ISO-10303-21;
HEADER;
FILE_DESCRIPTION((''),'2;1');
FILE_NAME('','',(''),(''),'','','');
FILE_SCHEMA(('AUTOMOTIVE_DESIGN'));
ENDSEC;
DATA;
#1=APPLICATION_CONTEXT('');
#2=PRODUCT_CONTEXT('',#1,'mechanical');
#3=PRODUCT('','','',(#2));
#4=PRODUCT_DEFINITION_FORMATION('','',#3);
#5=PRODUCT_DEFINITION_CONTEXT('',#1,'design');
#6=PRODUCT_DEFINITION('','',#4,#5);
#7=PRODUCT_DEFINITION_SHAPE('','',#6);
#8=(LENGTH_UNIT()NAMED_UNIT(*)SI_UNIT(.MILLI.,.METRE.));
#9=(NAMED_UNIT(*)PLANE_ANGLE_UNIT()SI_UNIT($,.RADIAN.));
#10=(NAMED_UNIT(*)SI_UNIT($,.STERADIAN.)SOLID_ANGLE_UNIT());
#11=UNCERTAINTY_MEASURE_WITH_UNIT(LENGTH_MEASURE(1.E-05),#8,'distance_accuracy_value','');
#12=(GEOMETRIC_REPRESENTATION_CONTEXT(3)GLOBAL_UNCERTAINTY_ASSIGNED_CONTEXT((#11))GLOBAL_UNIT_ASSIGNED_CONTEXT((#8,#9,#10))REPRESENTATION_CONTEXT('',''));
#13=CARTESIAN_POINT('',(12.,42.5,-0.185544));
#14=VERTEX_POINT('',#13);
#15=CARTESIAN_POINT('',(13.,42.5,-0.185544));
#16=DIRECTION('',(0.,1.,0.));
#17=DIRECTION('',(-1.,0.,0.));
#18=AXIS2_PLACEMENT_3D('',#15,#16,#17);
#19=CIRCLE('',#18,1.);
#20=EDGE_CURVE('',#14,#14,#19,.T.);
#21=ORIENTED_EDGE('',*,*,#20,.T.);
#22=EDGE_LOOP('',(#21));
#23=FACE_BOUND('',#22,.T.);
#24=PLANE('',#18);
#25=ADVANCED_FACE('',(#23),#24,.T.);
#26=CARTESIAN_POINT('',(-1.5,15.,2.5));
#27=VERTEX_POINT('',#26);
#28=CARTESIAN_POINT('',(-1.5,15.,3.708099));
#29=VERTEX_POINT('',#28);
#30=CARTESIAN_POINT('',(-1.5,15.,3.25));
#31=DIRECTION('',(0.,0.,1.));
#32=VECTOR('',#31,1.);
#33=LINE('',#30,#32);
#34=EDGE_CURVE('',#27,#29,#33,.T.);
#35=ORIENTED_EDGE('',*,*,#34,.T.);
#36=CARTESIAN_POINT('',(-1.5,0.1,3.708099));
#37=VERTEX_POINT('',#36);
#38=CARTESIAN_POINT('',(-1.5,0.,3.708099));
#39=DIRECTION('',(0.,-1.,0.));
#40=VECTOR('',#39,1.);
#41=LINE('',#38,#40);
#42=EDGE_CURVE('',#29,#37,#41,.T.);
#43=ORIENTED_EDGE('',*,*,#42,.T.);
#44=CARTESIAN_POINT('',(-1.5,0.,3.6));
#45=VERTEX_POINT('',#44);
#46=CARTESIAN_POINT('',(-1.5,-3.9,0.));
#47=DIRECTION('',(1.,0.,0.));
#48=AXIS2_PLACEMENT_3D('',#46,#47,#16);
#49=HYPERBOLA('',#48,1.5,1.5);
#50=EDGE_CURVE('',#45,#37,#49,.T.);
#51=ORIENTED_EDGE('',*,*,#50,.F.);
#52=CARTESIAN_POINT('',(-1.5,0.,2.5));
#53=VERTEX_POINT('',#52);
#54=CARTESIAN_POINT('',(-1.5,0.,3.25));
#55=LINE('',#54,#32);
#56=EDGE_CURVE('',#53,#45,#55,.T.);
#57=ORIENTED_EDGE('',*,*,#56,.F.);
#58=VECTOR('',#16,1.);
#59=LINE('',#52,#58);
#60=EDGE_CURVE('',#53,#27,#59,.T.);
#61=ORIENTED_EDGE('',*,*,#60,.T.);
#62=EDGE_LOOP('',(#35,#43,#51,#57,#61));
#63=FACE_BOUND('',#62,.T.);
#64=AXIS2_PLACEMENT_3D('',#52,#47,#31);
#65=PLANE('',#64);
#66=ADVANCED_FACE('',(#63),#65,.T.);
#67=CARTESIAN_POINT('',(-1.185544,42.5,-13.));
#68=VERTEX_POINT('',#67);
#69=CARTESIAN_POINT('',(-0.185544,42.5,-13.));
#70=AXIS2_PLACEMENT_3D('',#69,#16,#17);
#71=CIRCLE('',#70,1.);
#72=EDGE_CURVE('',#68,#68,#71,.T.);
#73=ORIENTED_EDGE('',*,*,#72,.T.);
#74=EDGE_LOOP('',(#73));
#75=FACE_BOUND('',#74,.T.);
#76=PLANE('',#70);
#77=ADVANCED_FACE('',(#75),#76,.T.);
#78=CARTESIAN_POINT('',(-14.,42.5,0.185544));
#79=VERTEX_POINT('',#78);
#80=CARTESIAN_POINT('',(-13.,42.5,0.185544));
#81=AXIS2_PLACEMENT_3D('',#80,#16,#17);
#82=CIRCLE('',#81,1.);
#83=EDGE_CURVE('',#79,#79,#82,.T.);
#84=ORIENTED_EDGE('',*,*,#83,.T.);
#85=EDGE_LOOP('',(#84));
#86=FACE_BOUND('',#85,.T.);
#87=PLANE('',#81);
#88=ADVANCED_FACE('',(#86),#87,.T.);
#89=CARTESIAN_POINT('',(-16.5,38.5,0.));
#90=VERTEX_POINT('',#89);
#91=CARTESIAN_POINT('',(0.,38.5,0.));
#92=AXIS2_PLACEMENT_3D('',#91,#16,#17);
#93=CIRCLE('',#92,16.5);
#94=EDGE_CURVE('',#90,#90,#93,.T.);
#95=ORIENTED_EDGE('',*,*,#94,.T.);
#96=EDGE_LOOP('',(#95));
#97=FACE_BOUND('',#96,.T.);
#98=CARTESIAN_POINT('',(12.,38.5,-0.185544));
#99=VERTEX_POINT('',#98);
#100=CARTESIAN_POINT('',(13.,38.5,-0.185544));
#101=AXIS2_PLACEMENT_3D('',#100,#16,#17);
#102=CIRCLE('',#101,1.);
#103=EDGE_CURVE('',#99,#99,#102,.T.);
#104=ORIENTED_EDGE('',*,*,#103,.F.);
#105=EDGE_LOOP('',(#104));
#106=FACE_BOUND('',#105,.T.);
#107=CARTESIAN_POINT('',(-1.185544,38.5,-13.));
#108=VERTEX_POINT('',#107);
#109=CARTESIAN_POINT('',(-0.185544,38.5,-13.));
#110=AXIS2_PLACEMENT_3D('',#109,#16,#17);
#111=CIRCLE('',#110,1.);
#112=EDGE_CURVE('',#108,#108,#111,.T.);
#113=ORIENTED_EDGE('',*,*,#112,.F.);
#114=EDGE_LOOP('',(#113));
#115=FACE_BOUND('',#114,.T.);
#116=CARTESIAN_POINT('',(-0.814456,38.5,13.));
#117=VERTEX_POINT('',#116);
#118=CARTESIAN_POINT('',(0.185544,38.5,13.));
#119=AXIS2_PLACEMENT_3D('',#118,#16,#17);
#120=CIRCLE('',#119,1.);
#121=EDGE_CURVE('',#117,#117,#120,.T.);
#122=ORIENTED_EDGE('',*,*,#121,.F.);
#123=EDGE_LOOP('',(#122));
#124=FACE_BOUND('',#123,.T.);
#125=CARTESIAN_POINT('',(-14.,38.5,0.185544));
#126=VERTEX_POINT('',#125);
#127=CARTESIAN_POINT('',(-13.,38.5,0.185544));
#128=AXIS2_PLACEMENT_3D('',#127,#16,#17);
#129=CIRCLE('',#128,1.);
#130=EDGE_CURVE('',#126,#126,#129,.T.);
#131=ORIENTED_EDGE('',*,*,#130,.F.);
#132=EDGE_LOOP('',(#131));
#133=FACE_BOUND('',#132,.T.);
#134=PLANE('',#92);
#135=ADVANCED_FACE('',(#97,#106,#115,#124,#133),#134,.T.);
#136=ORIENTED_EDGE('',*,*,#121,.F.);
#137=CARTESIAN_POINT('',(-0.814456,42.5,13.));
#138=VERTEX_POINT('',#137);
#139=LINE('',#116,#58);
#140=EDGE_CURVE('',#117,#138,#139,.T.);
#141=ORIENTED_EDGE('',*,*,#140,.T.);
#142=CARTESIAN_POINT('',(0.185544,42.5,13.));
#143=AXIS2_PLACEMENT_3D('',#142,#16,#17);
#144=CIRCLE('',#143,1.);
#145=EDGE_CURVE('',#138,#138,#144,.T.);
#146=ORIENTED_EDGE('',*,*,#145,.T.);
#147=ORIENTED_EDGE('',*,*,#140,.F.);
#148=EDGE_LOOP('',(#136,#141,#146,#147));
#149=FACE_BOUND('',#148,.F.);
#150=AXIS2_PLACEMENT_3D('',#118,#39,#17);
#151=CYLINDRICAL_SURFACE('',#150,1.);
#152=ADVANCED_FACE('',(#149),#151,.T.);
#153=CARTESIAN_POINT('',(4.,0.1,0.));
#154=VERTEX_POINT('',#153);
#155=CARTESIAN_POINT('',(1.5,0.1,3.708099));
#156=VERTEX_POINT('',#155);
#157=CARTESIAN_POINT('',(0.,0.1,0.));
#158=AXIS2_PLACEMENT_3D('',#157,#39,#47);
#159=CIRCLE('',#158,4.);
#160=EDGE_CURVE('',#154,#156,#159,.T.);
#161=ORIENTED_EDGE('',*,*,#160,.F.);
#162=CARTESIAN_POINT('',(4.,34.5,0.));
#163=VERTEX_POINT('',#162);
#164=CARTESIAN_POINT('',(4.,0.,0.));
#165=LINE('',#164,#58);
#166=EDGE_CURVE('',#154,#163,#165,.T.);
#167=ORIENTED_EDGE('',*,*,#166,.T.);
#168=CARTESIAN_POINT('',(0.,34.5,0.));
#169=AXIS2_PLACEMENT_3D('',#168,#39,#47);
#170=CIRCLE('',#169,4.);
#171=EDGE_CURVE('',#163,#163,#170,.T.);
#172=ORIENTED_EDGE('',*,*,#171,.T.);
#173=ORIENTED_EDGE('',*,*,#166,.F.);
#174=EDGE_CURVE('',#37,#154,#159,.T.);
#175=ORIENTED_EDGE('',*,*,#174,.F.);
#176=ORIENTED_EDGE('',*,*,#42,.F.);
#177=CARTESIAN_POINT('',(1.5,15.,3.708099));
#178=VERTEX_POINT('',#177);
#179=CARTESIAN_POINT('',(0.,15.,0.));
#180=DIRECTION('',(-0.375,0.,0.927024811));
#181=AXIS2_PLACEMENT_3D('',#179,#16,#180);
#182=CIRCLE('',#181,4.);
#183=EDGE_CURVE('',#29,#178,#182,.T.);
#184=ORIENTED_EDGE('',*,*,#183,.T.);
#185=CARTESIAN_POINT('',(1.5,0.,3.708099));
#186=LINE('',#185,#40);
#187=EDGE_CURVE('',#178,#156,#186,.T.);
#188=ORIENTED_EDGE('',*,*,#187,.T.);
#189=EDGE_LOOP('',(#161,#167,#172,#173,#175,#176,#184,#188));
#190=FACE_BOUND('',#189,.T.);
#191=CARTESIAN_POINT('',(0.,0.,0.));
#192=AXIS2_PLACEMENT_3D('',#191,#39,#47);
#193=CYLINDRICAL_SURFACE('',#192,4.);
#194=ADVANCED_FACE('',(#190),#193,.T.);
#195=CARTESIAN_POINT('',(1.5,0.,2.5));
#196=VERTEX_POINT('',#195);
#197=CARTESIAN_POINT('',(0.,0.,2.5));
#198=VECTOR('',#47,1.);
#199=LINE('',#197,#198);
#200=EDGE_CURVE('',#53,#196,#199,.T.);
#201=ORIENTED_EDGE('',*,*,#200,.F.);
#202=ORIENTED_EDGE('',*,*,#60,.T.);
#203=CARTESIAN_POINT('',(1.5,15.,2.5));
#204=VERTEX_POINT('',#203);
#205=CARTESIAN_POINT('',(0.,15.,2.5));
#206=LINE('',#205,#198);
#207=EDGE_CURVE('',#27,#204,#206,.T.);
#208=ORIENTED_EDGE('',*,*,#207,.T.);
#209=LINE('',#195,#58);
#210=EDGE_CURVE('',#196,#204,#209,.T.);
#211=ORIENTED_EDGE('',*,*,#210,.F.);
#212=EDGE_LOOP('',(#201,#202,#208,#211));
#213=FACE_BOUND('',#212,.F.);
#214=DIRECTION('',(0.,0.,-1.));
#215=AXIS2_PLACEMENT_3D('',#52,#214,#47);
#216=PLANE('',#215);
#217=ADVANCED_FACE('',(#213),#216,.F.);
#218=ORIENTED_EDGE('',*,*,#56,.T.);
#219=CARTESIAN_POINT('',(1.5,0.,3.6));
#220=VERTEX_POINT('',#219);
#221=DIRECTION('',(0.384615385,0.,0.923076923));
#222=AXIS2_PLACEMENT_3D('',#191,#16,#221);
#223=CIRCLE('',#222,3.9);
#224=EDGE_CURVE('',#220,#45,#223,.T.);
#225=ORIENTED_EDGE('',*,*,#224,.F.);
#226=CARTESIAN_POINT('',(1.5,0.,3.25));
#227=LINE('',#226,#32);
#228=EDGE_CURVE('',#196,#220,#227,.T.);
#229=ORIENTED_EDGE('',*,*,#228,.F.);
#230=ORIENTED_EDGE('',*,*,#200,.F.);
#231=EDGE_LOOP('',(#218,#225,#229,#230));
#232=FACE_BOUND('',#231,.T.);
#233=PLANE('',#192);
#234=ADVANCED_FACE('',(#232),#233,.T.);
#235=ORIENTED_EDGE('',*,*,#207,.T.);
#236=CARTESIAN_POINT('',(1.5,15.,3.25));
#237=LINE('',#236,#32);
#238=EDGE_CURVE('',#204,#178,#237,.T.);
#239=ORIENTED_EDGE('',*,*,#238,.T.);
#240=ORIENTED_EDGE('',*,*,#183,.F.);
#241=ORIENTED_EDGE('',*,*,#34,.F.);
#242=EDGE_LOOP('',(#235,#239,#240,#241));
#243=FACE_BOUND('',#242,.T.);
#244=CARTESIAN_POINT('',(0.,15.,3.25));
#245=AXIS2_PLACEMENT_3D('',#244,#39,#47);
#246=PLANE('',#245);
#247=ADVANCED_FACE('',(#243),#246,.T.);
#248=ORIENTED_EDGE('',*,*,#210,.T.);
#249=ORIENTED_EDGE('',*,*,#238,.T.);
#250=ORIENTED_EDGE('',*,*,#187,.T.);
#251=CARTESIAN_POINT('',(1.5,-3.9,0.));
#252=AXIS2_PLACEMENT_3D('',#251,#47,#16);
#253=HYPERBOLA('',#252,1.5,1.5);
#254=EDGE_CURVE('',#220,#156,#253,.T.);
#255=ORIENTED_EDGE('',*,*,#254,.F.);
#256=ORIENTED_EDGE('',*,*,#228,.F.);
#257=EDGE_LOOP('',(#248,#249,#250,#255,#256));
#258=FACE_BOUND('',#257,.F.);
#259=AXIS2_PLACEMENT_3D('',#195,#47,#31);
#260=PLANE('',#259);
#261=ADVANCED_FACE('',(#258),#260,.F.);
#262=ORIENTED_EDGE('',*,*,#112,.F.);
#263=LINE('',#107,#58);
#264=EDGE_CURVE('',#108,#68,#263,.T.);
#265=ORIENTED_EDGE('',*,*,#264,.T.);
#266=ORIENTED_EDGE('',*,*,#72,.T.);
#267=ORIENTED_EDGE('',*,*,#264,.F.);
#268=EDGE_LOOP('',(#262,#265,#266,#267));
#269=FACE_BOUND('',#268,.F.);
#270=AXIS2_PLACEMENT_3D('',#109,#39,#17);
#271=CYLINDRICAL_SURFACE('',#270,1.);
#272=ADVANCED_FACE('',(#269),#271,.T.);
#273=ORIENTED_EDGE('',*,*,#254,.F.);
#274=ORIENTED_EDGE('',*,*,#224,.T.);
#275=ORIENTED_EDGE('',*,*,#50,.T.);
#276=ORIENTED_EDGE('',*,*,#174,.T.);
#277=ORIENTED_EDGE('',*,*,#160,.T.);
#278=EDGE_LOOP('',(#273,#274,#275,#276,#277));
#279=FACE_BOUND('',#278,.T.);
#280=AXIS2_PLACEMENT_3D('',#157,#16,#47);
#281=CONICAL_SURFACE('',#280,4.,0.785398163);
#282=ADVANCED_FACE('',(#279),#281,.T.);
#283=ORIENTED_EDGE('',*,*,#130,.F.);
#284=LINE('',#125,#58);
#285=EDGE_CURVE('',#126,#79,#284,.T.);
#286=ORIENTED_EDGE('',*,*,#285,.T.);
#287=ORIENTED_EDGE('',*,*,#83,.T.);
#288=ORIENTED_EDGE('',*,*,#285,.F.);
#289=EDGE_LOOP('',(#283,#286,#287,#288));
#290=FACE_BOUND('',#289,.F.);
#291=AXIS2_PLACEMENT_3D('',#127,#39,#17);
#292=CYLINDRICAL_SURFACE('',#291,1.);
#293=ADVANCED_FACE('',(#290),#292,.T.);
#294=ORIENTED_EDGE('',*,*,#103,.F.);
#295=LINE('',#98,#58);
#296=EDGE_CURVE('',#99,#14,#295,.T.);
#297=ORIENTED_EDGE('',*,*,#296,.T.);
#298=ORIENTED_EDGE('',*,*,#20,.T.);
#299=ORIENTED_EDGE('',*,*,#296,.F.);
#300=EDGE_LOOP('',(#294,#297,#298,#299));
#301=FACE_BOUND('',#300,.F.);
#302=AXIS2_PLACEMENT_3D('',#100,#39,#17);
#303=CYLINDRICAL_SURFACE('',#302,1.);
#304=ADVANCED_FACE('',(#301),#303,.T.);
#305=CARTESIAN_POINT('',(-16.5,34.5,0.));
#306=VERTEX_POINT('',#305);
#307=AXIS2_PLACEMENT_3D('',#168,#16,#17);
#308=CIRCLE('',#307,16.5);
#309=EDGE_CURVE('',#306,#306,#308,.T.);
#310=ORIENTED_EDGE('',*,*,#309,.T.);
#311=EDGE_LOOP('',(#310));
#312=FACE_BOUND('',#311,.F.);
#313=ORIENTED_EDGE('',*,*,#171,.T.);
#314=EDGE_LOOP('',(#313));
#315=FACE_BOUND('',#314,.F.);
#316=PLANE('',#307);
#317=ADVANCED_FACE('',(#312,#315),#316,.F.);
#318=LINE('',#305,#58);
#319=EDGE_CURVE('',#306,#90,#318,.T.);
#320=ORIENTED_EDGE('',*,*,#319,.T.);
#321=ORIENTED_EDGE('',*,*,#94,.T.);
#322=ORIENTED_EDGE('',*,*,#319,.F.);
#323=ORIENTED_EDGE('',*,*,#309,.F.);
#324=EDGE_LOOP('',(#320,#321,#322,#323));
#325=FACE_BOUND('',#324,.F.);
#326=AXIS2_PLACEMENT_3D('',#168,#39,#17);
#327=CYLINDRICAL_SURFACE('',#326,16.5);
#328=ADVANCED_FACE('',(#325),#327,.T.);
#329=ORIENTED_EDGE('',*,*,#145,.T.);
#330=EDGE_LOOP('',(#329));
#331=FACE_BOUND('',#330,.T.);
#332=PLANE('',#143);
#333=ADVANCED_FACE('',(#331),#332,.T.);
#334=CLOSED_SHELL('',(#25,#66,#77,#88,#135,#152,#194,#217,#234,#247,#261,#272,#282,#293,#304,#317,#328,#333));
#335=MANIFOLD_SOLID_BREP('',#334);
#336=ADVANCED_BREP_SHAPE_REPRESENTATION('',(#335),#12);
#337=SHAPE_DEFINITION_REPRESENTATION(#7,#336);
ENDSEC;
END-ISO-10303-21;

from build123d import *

# Parameters (mm, degrees)
F0_R     = 4
F1_DEPTH = 34.5
F3_SIZE  = 0.1
F2_W     = 3
F2_H     = 1.5
F4_DEPTH = 15
F5_R     = 16.5
F6_DEPTH = 4
F7_R     = 1
F8_DEPTH = 4


with BuildPart() as f1:
    # F0 (on Front) → F1 (new body)
    with BuildSketch(Plane.XZ):
        Circle(F0_R)
    extrude(amount=-F1_DEPTH)

    # F3
    f3_edges = [f1.edges().sort_by_distance(p)[0] for p in [
        (-4, 0, 0),
    ]]
    chamfer(f3_edges, length=F3_SIZE)

    # F2 (on Front) → F4 (cut)
    with BuildSketch(Plane.XZ):
        with Locations((0, 3.25)):
            Rectangle(F2_W, F2_H)
    extrude(amount=-F4_DEPTH, mode=Mode.SUBTRACT)

    # F5 (on face) → F6 (join)
    with BuildSketch(Plane(origin=(0, 34.5, 0), x_dir=(-1, 0, 0), z_dir=(0, 1, 0))):
        Circle(F5_R)
    extrude(amount=F6_DEPTH)

    # F7 (on face) → F8 (join)
    with BuildSketch(Plane(origin=(0, 38.5, 0), x_dir=(-1, 0, 0), z_dir=(0, 1, 0))):
        with Locations((-0.185544, 13)):
            Circle(F7_R)
        with Locations((-13, -0.185544)):
            Circle(F7_R)
        with Locations((0.185544, -13)):
            Circle(F7_R)
        with Locations((13, 0.185544)):
            Circle(F7_R)
    extrude(amount=F8_DEPTH)


solid = f1.part
